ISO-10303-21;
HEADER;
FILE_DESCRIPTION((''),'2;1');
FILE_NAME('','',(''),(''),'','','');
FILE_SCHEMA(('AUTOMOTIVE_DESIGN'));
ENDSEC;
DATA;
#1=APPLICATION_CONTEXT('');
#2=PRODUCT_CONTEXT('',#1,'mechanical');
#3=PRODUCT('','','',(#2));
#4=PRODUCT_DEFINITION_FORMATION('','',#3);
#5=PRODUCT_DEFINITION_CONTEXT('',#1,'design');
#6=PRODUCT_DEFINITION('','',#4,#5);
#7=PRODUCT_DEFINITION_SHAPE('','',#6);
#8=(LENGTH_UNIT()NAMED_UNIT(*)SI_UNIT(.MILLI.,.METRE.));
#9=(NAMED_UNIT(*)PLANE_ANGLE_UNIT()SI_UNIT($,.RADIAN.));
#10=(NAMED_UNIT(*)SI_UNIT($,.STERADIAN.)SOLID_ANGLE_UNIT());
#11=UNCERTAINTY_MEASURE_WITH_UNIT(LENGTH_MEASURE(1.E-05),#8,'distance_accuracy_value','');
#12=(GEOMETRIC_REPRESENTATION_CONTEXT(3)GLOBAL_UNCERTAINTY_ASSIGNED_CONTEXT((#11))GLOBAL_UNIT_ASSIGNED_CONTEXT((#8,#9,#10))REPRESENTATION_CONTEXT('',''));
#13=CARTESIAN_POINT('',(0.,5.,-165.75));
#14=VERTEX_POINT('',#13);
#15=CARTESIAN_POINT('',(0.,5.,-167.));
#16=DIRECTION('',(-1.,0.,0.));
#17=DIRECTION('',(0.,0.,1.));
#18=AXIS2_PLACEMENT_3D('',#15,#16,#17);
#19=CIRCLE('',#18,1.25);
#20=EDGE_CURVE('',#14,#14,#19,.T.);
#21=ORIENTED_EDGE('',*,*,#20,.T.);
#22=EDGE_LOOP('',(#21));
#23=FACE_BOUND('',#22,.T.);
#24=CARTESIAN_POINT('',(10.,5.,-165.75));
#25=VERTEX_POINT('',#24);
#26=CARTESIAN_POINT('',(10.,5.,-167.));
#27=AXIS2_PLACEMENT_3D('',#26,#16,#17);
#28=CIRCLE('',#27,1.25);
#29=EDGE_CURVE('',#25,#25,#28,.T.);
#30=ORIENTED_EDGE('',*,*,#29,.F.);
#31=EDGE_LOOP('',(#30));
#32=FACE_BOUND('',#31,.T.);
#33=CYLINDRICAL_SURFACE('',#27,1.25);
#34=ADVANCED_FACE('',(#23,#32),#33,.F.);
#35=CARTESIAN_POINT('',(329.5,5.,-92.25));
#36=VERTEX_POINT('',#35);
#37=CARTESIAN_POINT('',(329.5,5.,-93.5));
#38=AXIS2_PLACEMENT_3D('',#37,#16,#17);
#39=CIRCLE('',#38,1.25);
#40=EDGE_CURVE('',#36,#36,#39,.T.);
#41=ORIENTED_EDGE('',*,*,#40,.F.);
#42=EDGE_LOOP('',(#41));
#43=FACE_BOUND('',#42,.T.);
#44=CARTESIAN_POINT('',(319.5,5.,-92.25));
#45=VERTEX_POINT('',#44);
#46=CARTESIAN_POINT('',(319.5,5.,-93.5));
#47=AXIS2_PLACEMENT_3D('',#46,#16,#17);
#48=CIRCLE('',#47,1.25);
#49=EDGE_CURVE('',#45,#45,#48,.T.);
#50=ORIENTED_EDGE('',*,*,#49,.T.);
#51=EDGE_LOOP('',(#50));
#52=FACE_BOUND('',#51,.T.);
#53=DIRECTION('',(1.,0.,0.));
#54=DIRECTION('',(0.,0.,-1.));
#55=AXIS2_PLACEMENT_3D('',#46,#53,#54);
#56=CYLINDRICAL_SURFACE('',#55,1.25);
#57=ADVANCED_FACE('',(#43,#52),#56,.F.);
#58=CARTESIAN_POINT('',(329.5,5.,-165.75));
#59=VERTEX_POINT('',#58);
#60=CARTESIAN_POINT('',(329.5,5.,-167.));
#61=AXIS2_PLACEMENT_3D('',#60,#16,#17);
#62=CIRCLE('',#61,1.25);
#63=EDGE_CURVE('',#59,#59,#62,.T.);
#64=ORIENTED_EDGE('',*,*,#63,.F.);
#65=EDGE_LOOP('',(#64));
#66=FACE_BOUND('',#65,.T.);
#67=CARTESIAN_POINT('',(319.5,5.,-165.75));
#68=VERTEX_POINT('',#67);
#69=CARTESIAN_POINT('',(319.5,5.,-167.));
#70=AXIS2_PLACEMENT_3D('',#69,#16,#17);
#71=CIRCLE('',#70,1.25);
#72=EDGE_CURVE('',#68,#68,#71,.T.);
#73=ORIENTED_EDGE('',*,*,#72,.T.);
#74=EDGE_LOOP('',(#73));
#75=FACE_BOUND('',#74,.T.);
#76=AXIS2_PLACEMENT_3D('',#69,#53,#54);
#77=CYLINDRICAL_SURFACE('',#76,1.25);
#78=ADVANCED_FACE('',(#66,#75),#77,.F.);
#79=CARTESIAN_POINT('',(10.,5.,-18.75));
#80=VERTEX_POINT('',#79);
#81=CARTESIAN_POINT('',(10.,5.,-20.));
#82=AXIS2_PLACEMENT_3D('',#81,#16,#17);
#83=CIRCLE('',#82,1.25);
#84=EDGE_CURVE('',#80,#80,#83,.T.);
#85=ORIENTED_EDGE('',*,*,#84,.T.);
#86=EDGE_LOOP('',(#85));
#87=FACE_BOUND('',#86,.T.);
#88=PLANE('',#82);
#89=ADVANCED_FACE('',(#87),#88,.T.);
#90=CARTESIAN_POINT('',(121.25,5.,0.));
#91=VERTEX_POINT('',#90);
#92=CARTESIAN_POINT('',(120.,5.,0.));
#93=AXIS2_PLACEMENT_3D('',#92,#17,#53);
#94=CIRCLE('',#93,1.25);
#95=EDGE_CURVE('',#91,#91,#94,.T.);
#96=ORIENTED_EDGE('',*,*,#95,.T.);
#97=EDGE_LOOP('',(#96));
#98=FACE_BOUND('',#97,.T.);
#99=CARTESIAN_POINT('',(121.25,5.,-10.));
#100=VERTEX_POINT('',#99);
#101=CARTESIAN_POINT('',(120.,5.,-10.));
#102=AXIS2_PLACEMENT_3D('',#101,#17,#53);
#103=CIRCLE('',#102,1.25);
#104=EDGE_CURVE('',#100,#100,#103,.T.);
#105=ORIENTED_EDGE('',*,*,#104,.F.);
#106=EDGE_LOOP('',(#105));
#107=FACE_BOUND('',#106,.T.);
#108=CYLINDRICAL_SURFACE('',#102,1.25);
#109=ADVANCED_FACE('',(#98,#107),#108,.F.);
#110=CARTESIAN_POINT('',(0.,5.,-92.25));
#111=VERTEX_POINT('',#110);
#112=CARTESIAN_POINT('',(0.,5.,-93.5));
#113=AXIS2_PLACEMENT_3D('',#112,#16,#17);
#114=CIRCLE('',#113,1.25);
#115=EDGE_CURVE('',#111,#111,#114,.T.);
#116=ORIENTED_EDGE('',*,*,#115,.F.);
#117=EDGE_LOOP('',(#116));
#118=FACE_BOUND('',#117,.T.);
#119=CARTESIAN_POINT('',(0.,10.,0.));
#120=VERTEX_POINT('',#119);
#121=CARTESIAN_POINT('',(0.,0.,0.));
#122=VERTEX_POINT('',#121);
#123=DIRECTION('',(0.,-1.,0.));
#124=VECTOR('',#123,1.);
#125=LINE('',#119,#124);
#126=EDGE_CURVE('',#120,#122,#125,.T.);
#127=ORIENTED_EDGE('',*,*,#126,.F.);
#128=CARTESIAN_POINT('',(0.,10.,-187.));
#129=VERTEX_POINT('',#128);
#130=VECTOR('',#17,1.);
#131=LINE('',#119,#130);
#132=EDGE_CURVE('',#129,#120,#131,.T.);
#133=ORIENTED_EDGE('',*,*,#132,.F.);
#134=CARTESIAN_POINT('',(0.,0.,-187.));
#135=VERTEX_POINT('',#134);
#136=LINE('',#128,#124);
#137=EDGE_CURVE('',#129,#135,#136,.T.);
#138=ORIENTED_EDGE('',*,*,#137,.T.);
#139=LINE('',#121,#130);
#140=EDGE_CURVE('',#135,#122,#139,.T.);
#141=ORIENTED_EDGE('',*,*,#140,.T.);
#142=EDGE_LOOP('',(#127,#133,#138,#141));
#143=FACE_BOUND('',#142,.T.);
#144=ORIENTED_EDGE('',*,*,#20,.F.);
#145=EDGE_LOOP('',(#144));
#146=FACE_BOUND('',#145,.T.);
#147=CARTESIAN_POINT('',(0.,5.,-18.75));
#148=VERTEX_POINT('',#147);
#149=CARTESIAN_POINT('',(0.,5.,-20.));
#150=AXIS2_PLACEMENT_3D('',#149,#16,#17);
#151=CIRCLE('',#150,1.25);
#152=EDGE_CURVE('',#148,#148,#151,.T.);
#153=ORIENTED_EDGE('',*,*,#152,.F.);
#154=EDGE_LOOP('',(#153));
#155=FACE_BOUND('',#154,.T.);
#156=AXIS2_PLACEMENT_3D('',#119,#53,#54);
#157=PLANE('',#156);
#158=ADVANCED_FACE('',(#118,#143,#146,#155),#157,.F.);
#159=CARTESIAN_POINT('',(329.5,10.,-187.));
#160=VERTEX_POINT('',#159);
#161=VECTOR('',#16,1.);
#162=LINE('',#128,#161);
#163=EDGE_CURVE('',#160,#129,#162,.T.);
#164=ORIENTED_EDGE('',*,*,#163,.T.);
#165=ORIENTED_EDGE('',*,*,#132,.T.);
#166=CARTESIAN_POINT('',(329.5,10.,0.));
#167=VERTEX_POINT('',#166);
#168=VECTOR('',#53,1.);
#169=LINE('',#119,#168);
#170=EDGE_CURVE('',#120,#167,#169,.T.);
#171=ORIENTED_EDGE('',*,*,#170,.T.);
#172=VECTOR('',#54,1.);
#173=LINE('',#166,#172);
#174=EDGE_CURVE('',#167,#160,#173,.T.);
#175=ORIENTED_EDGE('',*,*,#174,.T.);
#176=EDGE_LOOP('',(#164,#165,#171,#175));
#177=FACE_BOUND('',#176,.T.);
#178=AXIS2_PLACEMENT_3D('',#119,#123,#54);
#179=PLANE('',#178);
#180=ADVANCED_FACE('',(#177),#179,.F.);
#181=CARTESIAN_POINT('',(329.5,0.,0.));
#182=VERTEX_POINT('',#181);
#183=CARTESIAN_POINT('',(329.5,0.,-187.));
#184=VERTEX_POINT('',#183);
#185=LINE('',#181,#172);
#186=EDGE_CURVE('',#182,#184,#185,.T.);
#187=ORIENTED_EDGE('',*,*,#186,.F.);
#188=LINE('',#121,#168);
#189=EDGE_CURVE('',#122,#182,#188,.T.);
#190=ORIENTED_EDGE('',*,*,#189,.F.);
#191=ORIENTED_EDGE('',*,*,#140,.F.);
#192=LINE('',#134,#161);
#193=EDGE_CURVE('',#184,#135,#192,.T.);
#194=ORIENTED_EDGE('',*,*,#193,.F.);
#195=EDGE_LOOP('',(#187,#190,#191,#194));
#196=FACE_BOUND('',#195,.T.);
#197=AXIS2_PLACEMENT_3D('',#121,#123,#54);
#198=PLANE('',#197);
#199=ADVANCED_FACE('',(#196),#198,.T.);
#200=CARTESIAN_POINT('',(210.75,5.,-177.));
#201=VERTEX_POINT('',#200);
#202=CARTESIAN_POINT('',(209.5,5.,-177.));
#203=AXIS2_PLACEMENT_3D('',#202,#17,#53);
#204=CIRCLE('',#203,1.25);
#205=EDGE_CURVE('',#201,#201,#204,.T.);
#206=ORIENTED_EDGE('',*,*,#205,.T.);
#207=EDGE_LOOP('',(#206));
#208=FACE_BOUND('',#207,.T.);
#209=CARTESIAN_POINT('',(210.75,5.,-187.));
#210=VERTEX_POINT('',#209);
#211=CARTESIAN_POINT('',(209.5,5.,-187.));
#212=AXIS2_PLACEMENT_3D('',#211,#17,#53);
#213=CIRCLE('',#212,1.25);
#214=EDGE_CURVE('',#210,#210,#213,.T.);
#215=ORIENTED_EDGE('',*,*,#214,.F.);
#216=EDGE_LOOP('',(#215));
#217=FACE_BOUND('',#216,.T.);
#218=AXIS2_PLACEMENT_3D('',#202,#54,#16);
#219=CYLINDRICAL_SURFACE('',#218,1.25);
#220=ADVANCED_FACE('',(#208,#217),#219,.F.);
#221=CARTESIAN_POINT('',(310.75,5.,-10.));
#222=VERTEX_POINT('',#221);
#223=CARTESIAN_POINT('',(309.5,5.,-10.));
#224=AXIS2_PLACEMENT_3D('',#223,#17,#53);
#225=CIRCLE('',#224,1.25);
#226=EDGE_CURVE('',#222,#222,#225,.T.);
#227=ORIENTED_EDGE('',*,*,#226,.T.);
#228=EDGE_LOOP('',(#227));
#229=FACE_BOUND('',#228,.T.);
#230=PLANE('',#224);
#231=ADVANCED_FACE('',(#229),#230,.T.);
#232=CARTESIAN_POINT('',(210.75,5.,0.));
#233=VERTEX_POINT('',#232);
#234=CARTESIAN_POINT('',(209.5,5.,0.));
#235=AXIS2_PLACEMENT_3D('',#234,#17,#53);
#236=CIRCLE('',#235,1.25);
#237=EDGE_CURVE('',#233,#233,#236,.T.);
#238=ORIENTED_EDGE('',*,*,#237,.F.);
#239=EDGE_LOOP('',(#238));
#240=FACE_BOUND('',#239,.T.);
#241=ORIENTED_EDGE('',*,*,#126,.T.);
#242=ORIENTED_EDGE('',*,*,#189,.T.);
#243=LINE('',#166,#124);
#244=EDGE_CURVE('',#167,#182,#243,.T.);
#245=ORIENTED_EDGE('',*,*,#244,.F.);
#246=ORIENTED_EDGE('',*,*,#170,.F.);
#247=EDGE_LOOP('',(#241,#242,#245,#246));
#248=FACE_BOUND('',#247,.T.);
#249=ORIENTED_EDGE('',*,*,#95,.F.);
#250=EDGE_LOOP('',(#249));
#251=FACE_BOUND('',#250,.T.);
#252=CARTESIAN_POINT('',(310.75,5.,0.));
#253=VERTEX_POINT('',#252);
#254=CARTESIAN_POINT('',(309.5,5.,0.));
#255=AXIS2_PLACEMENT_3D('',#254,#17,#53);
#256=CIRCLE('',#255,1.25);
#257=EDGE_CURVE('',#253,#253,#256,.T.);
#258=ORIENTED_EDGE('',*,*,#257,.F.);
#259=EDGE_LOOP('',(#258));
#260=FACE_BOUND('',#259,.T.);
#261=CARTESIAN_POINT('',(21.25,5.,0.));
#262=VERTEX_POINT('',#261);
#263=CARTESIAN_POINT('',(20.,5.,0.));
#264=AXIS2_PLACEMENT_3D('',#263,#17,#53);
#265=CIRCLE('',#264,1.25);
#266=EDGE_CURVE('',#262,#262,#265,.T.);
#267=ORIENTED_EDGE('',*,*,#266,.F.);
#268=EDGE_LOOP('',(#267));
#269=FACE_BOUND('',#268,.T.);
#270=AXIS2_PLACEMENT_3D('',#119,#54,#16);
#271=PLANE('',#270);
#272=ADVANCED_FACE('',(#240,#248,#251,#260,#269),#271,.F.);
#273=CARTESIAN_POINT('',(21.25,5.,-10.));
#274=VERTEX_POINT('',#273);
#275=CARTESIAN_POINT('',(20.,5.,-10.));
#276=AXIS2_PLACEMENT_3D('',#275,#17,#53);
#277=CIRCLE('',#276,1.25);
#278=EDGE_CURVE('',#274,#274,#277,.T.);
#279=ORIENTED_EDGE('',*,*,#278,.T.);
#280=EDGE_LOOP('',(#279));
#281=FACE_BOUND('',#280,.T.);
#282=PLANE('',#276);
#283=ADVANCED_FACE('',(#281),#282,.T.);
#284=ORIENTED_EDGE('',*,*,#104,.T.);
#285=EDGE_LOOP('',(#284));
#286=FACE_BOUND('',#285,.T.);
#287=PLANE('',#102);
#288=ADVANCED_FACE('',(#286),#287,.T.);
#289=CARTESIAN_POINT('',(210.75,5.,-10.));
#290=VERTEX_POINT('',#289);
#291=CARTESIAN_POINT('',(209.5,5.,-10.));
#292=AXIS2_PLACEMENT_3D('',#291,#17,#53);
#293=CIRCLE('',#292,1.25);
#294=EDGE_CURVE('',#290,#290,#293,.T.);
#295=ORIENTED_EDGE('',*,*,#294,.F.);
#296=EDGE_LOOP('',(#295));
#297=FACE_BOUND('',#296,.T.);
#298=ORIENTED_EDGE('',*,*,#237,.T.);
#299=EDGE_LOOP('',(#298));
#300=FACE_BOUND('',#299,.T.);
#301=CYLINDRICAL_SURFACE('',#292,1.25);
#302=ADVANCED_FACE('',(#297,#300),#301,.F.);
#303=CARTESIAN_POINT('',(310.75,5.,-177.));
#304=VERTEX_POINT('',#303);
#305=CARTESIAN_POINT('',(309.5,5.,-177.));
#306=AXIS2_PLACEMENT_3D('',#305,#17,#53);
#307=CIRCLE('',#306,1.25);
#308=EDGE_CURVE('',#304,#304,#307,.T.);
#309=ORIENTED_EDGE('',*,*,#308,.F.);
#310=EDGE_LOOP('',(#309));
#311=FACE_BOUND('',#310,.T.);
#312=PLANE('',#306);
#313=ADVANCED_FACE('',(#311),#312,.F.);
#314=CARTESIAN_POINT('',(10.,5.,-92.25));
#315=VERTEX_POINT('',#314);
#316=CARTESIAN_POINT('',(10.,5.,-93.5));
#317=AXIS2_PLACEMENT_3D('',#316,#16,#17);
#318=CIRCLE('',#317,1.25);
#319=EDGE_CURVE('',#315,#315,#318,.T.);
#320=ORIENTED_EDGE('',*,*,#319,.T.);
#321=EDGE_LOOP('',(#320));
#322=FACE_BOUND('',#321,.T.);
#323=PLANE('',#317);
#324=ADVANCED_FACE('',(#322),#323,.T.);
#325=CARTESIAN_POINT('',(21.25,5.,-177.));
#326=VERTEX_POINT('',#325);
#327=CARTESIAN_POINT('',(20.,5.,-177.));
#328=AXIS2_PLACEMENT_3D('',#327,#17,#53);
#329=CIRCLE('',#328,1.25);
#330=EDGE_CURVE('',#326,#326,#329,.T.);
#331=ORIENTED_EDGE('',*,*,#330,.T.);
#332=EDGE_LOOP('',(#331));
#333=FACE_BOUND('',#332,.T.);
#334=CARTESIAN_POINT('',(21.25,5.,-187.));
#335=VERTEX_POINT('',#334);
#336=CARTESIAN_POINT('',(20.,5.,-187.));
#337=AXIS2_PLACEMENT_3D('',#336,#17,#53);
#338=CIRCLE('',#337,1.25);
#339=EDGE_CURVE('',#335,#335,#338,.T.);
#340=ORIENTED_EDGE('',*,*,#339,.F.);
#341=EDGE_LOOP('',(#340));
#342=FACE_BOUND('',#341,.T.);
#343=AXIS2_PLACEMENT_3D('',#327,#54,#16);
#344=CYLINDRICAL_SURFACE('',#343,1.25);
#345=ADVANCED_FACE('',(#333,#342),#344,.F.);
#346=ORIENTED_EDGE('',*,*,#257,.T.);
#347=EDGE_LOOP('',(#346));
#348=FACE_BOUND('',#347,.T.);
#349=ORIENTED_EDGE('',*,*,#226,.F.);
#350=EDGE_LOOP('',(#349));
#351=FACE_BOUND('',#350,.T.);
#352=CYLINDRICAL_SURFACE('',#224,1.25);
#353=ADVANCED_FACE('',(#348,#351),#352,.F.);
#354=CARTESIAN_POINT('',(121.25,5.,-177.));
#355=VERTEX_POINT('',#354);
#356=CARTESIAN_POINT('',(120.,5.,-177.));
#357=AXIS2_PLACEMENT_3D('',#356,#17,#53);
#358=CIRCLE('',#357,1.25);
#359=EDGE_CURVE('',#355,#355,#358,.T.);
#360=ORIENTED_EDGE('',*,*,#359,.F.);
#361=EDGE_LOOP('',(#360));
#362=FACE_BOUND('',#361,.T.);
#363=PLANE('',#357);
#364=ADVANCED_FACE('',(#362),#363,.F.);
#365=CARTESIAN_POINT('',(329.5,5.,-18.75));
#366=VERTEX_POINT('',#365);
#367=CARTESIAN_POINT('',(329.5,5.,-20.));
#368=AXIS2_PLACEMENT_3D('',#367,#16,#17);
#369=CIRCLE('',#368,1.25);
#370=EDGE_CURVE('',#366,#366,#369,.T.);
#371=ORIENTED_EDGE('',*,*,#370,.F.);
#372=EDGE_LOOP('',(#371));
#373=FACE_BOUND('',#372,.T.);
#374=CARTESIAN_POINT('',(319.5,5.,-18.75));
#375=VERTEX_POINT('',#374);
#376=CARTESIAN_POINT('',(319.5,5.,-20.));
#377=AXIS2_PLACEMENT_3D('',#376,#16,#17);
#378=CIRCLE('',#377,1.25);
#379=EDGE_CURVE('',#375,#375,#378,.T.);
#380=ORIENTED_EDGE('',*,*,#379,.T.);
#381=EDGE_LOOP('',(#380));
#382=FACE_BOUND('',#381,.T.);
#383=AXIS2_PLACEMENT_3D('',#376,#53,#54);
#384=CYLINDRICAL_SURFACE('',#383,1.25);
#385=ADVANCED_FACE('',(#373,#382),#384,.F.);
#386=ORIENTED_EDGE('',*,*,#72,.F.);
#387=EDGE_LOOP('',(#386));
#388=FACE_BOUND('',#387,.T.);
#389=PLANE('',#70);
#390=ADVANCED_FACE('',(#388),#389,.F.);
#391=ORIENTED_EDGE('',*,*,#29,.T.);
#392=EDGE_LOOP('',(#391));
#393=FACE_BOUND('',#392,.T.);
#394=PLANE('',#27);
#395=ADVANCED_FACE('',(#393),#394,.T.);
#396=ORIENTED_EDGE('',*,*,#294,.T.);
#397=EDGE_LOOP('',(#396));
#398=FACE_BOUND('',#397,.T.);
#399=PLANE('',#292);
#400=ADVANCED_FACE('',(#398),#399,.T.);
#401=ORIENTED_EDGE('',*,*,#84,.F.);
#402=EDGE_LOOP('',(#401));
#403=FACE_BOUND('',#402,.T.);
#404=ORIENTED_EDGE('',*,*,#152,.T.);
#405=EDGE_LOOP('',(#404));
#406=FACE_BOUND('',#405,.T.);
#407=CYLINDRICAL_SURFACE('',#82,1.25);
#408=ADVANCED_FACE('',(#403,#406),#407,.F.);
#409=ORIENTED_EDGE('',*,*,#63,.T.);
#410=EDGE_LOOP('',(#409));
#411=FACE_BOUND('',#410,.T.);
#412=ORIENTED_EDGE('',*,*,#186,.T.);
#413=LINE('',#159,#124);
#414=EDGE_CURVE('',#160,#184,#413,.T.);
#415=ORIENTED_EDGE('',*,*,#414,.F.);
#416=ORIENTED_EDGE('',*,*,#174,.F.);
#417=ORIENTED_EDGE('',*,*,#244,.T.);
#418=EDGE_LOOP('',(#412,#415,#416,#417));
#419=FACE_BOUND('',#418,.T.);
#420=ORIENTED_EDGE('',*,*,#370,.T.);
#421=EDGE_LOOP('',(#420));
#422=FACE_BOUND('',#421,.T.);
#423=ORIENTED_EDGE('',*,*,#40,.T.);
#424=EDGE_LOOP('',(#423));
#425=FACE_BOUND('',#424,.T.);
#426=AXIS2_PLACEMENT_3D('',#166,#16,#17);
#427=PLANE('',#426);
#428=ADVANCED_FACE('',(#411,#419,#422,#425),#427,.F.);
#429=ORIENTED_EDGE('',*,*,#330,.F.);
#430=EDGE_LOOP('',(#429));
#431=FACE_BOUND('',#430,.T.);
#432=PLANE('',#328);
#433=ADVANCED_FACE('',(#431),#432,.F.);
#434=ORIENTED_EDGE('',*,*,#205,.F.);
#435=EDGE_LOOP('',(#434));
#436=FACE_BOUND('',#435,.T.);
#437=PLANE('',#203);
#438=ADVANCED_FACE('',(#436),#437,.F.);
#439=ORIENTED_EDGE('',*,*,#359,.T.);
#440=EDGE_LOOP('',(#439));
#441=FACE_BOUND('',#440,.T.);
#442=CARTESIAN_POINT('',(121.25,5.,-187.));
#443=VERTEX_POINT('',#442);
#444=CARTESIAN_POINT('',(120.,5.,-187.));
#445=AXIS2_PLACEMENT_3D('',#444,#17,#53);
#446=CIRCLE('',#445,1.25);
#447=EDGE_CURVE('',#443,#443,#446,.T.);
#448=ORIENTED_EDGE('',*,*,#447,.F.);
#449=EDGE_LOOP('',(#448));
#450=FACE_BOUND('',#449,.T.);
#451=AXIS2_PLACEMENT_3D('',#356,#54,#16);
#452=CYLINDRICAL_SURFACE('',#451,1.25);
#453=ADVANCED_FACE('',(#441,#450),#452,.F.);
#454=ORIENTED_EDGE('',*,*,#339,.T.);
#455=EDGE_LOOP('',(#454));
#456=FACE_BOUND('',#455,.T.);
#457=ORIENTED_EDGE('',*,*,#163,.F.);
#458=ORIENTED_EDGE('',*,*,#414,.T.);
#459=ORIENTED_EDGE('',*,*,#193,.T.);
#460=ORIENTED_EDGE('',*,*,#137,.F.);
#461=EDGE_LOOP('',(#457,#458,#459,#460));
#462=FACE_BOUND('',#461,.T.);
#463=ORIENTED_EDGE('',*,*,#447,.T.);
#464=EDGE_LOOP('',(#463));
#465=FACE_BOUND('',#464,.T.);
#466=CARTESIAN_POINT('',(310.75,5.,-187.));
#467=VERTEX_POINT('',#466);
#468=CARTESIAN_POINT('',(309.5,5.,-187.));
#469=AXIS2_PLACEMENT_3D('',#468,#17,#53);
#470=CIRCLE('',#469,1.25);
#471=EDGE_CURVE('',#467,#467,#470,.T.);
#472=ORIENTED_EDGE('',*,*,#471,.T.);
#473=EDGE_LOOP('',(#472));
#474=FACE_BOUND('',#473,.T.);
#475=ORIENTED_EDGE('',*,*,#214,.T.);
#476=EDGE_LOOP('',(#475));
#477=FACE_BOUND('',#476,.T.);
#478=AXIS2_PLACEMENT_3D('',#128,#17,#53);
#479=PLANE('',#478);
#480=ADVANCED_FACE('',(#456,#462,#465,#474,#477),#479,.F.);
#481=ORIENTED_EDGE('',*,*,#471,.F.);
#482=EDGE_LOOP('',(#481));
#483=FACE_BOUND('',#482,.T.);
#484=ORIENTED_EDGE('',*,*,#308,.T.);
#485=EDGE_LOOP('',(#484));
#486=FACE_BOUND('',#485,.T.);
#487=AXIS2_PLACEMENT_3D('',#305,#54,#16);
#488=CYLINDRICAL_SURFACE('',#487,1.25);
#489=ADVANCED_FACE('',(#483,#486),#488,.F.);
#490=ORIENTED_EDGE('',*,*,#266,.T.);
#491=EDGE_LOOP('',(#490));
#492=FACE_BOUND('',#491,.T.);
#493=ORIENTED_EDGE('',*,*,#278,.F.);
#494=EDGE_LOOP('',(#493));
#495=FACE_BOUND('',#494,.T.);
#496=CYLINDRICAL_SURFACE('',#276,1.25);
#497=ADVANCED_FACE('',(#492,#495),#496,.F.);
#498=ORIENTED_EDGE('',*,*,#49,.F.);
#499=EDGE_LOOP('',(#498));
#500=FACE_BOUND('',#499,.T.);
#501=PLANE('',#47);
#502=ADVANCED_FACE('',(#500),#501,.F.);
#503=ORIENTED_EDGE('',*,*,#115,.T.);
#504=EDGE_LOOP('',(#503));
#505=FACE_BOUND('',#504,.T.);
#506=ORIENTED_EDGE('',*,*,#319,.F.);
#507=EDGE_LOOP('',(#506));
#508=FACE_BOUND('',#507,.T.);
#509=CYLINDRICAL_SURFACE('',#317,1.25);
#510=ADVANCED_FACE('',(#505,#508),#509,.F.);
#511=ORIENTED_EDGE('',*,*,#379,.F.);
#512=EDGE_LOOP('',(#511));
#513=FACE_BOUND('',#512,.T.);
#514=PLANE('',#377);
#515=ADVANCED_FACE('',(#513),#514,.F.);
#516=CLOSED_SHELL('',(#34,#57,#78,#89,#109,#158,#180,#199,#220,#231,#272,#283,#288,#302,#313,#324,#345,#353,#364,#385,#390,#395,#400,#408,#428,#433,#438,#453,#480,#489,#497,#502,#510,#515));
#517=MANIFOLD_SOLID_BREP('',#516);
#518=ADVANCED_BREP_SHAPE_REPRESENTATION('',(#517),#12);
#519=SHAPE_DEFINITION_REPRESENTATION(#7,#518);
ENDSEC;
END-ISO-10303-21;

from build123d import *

# Parameters (mm, degrees)
SKETCH1_W           = 329.5
SKETCH1_H           = 187
BOSS_EXTRUDE1_DEPTH = 10
SKETCH2_R           = 1.25
CUT_EXTRUDE1_DEPTH  = 10
CUT_EXTRUDE2_START  = -187
SKETCH2_2_R         = 1.25
CUT_EXTRUDE2_DEPTH  = 10
SKETCH3_R           = 1.25
CUT_EXTRUDE3_DEPTH  = 10
CUT_EXTRUDE4_START  = -329.5
SKETCH3_2_R         = 1.25
CUT_EXTRUDE4_DEPTH  = 10


with BuildPart() as part:
    # Sketch1 → Boss-Extrude1 (new body)
    with BuildSketch(Plane(origin=(0, 0, 0), x_dir=(1, 0, 0), z_dir=(0, 1, 0))):
        with Locations((164.75, 93.5)):
            Rectangle(SKETCH1_W, SKETCH1_H)
    extrude(amount=BOSS_EXTRUDE1_DEPTH)

    # Sketch2 → Cut-Extrude1 (cut)
    with BuildSketch(Plane.XY):
        with Locations((20, 5)):
            Circle(SKETCH2_R)
        with Locations((120, 5)):
            Circle(SKETCH2_R)
        with Locations((209.5, 5)):
            Circle(SKETCH2_R)
        with Locations((309.5, 5)):
            Circle(SKETCH2_R)
    extrude(amount=-CUT_EXTRUDE1_DEPTH, mode=Mode.SUBTRACT)

    # Sketch2<2> → Cut-Extrude2 (cut)
    with BuildSketch(Plane.XY.offset(CUT_EXTRUDE2_START)):
        with Locations((20, 5)):
            Circle(SKETCH2_2_R)
        with Locations((120, 5)):
            Circle(SKETCH2_2_R)
        with Locations((209.5, 5)):
            Circle(SKETCH2_2_R)
        with Locations((309.5, 5)):
            Circle(SKETCH2_2_R)
    extrude(amount=CUT_EXTRUDE2_DEPTH, mode=Mode.SUBTRACT)

    # Sketch3 → Cut-Extrude3 (cut)
    with BuildSketch(Plane.ZY):
        with Locations((-167, 5)):
            Circle(SKETCH3_R)
        with Locations((-93.5, 5)):
            Circle(SKETCH3_R)
        with Locations((-20, 5)):
            Circle(SKETCH3_R)
    extrude(amount=-CUT_EXTRUDE3_DEPTH, mode=Mode.SUBTRACT)

    # Sketch3<2> → Cut-Extrude4 (cut)
    with BuildSketch(Plane.ZY.offset(CUT_EXTRUDE4_START)):
        with Locations((-167, 5)):
            Circle(SKETCH3_2_R)
        with Locations((-93.5, 5)):
            Circle(SKETCH3_2_R)
        with Locations((-20, 5)):
            Circle(SKETCH3_2_R)
    extrude(amount=CUT_EXTRUDE4_DEPTH, mode=Mode.SUBTRACT)


solid = part.part
